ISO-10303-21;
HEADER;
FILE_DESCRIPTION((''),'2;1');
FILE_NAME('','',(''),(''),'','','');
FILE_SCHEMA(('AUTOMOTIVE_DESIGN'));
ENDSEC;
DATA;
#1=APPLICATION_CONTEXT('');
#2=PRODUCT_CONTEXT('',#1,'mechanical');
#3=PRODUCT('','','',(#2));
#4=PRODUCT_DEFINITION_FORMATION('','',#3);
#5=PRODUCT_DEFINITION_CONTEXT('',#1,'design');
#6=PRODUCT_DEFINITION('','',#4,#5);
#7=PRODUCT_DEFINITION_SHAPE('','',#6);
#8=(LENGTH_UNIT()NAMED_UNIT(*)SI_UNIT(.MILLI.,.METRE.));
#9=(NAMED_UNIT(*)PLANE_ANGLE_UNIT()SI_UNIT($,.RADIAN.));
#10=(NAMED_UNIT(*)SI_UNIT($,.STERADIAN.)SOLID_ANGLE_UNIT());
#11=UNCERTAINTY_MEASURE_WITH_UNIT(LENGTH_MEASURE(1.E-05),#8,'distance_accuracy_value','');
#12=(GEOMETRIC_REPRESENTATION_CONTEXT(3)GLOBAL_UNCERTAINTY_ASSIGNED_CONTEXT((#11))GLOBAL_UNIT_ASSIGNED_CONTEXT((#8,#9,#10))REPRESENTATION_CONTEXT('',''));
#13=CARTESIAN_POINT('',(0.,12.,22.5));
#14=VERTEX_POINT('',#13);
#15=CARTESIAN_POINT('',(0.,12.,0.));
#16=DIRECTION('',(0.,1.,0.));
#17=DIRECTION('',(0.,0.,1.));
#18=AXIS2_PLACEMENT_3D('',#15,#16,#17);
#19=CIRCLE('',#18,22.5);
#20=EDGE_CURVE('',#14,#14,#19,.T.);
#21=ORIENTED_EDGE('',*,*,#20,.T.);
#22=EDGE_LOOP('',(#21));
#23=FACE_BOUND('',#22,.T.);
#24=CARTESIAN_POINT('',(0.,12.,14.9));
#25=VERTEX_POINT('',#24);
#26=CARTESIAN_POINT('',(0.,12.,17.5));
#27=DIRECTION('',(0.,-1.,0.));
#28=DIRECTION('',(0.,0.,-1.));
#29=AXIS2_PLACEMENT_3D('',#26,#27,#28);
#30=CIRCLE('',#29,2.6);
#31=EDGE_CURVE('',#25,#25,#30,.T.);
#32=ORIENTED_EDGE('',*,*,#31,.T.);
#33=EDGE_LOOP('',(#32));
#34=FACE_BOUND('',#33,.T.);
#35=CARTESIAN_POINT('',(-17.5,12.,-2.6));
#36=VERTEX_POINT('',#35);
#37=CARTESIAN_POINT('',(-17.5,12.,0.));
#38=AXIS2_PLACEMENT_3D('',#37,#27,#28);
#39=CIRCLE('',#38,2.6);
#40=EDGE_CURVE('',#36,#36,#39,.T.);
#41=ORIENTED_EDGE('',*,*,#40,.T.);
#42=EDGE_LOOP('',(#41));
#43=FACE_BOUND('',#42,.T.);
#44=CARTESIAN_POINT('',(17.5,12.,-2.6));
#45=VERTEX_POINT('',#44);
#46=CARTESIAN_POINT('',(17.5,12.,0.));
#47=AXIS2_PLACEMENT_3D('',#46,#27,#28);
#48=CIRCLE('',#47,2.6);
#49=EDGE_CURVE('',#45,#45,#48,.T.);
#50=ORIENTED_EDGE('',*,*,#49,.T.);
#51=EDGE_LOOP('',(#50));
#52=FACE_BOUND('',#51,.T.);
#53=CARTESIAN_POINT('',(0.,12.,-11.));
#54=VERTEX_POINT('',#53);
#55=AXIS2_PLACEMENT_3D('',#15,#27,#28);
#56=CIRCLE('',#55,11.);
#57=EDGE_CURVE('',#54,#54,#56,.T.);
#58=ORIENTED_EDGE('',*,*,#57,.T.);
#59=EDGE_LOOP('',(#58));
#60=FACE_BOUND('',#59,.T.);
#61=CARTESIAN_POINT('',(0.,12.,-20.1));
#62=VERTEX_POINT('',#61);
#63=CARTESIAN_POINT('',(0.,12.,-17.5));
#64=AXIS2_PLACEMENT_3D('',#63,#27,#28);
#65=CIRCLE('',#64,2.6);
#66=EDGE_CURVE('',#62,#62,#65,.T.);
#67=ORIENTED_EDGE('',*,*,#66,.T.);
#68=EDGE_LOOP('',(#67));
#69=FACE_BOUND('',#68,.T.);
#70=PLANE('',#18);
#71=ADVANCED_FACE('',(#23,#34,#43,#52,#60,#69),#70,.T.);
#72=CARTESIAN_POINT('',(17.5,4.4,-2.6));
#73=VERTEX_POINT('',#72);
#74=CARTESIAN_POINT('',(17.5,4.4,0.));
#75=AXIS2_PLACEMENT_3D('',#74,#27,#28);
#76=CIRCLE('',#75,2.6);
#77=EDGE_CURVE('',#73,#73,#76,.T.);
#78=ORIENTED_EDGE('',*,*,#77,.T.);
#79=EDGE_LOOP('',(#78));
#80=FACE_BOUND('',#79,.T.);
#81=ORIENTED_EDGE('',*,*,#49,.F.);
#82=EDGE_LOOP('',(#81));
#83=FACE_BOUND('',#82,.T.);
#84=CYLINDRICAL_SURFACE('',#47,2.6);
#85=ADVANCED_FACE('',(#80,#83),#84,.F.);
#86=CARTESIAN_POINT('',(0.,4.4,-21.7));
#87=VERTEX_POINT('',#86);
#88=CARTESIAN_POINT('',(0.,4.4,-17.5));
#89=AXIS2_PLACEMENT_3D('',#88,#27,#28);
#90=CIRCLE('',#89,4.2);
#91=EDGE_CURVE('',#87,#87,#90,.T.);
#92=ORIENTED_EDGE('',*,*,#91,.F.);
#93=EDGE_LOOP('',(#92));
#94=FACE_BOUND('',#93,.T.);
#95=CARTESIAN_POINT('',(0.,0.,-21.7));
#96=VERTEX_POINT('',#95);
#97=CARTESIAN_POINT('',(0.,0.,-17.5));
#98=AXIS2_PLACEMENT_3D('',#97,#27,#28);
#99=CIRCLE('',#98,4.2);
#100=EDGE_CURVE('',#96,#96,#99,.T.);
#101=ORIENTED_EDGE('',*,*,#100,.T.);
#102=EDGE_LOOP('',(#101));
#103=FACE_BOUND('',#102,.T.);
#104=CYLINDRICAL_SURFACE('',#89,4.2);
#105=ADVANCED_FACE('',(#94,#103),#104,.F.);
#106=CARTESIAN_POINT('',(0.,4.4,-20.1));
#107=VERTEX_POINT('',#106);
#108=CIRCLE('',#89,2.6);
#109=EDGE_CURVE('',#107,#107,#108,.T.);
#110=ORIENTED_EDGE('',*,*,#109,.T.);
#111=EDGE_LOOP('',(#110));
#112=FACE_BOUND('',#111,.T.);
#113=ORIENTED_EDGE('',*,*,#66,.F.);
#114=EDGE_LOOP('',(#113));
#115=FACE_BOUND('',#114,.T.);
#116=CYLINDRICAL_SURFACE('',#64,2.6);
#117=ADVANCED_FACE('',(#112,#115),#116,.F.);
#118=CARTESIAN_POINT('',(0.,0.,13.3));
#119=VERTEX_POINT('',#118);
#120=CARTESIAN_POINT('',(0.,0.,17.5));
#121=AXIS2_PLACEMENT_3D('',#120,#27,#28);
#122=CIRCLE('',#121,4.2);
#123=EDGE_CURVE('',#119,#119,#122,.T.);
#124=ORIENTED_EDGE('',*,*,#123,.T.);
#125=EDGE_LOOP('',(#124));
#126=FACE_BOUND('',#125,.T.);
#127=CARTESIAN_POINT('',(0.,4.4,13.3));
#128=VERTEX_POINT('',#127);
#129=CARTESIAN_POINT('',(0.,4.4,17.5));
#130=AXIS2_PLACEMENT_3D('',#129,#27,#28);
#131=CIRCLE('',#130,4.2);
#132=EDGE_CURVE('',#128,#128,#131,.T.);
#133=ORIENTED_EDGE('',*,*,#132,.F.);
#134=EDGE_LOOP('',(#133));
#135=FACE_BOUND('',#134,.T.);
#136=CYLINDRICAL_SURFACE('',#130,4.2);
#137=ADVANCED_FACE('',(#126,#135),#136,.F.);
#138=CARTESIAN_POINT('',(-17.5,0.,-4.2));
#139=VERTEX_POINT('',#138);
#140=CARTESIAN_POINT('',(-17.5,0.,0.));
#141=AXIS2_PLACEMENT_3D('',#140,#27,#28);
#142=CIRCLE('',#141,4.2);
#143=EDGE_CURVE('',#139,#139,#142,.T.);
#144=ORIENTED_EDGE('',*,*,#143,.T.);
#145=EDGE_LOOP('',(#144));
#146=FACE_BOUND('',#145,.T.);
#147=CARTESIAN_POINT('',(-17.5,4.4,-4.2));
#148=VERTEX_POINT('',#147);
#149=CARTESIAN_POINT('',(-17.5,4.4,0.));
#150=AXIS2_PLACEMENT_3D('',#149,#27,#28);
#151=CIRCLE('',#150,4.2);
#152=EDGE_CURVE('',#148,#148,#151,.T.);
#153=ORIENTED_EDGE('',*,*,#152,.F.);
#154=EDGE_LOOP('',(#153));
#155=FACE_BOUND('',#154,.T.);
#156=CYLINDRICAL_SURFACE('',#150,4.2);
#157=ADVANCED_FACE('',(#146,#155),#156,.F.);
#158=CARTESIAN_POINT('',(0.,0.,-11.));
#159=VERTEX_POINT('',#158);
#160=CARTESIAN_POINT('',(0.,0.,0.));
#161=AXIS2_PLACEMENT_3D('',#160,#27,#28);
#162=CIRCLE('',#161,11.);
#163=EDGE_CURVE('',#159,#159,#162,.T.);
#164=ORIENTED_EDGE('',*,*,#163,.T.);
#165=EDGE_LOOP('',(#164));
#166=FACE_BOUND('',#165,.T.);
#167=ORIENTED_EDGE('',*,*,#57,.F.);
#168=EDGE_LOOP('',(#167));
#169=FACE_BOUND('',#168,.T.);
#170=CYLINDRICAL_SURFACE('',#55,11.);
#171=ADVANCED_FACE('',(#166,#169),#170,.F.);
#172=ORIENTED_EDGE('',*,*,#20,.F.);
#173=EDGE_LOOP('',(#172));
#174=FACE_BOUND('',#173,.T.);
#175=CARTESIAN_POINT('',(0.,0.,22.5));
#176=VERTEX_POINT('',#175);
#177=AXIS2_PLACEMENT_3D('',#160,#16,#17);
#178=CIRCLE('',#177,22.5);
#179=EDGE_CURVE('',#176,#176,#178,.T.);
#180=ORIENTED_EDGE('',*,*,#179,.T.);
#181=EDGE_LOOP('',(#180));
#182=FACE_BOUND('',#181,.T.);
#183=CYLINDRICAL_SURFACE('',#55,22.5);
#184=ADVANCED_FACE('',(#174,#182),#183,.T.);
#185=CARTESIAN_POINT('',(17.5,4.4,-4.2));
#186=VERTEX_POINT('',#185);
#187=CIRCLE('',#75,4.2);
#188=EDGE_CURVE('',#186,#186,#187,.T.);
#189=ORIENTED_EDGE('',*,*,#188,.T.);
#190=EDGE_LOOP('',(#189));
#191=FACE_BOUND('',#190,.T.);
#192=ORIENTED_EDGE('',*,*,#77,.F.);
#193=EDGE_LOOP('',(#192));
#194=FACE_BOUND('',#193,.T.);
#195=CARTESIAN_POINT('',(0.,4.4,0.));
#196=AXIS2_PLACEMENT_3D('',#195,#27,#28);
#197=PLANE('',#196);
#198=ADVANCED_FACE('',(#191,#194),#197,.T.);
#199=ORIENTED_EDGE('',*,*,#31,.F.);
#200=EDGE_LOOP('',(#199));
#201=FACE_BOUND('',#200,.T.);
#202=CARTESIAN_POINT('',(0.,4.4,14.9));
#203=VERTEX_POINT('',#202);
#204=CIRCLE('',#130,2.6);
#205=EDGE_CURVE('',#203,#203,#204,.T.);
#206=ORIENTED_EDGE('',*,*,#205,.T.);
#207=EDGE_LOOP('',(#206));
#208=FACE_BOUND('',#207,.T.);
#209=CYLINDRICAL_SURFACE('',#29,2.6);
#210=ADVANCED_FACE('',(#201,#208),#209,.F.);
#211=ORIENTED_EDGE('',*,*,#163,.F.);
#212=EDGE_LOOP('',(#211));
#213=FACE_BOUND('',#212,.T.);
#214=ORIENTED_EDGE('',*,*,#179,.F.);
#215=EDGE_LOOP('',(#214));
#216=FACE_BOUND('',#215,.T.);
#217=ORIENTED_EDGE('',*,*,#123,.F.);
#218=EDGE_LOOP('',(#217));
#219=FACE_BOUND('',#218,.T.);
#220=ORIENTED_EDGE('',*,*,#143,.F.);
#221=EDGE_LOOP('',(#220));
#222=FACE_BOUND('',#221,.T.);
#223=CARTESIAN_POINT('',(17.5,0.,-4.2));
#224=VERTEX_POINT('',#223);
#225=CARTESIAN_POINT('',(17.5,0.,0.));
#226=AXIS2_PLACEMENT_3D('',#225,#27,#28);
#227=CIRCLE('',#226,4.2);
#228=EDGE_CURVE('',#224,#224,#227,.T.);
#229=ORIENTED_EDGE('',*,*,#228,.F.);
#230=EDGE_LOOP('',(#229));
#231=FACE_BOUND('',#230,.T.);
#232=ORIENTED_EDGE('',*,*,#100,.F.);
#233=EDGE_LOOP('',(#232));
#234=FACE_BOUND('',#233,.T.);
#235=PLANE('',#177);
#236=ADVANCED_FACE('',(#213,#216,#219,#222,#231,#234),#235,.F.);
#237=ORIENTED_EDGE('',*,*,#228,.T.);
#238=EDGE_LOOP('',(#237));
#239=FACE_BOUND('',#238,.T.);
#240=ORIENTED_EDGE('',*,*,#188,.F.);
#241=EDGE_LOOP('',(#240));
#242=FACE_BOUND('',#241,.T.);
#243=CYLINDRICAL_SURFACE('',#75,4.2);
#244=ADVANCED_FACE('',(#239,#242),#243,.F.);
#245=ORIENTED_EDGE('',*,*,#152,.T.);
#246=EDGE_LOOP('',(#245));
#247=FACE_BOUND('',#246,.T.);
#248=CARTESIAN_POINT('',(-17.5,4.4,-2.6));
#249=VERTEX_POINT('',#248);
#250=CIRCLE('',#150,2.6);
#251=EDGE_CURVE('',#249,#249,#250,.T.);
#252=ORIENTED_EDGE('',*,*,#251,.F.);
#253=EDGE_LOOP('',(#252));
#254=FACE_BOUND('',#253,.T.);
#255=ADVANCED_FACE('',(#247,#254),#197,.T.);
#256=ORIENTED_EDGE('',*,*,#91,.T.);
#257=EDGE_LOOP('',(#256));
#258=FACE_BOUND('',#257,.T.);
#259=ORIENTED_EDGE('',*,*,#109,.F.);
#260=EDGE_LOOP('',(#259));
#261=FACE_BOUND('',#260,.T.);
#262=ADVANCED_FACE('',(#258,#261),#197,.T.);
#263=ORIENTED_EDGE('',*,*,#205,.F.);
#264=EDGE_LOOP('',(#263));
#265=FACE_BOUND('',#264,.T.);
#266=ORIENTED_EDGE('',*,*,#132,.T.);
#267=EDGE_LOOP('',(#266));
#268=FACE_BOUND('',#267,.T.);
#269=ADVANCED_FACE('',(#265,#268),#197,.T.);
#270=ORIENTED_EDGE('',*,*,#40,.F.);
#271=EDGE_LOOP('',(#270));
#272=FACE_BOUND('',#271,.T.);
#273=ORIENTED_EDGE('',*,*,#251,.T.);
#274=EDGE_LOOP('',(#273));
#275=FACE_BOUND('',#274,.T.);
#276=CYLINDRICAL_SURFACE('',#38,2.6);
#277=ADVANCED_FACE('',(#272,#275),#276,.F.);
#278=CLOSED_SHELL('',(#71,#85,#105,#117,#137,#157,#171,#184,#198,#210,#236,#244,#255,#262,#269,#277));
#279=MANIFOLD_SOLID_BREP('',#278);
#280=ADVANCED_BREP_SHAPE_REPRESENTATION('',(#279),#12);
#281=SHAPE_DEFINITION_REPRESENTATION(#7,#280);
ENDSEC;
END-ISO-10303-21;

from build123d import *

# Parameters (mm, degrees)
SKETCH_1_R          = 22.5
EXTRUDE_1_DEPTH     = 12
SKETCH_2_R          = 4.2
CUT_EXTRUDE_1_DEPTH = 4.4
SKETCH_3_R          = 2.6
CUT_EXTRUDE_2_DEPTH = 35.007352146
SKETCH_4_R          = 4
CUT_EXTRUDE_3_DEPTH = 35.007352146
SKETCH_5_R          = 11
CUT_EXTRUDE_4_DEPTH = 35.007352146


with BuildPart() as part:
    # 草图1 → 凸台-拉伸1 (new body)
    with BuildSketch(Plane(origin=(0, 0, 0), x_dir=(1, 0, 0), z_dir=(0, 1, 0))):
        with Locations(Location((0, 0, 0), (0, 0, 270))):
            Circle(SKETCH_1_R)
    extrude(amount=EXTRUDE_1_DEPTH)

    # 草图2 → 切除-拉伸1 (cut)
    with BuildSketch(Plane.XZ):
        with Locations(Location((17.5, 0, 0), (0, 0, 270))):
            Circle(SKETCH_2_R)
        with Locations(Location((0, 17.5, 0), (0, 0, 270))):
            Circle(SKETCH_2_R)
        with Locations(Location((-17.5, 0, 0), (0, 0, 270))):
            Circle(SKETCH_2_R)
        with Locations(Location((0, -17.5, 0), (0, 0, 270))):
            Circle(SKETCH_2_R)
    extrude(amount=-CUT_EXTRUDE_1_DEPTH, mode=Mode.SUBTRACT)

    # 草图3 → 切除-拉伸2 (cut, through all)
    with BuildSketch(Plane.XZ):
        with Locations(Location((0, 17.5, 0), (0, 0, 270))):
            Circle(SKETCH_3_R)
        with Locations(Location((17.5, 0, 0), (0, 0, 270))):
            Circle(SKETCH_3_R)
        with Locations(Location((0, -17.5, 0), (0, 0, 270))):
            Circle(SKETCH_3_R)
        with Locations(Location((-17.5, 0, 0), (0, 0, 270))):
            Circle(SKETCH_3_R)
    extrude(amount=-CUT_EXTRUDE_2_DEPTH, mode=Mode.SUBTRACT)

    # 草图4 → 切除-拉伸3 (cut, through all)
    with BuildSketch(Plane.XZ):
        with Locations(Location((0, 0, 0), (0, 0, 270))):
            Circle(SKETCH_4_R)
    extrude(amount=-CUT_EXTRUDE_3_DEPTH, mode=Mode.SUBTRACT)

    # 草图5 → 切除-拉伸4 (cut, through all)
    with BuildSketch(Plane.XZ):
        with Locations(Location((0, 0, 0), (0, 0, 270))):
            Circle(SKETCH_5_R)
    extrude(amount=-CUT_EXTRUDE_4_DEPTH, mode=Mode.SUBTRACT)


solid = part.part
